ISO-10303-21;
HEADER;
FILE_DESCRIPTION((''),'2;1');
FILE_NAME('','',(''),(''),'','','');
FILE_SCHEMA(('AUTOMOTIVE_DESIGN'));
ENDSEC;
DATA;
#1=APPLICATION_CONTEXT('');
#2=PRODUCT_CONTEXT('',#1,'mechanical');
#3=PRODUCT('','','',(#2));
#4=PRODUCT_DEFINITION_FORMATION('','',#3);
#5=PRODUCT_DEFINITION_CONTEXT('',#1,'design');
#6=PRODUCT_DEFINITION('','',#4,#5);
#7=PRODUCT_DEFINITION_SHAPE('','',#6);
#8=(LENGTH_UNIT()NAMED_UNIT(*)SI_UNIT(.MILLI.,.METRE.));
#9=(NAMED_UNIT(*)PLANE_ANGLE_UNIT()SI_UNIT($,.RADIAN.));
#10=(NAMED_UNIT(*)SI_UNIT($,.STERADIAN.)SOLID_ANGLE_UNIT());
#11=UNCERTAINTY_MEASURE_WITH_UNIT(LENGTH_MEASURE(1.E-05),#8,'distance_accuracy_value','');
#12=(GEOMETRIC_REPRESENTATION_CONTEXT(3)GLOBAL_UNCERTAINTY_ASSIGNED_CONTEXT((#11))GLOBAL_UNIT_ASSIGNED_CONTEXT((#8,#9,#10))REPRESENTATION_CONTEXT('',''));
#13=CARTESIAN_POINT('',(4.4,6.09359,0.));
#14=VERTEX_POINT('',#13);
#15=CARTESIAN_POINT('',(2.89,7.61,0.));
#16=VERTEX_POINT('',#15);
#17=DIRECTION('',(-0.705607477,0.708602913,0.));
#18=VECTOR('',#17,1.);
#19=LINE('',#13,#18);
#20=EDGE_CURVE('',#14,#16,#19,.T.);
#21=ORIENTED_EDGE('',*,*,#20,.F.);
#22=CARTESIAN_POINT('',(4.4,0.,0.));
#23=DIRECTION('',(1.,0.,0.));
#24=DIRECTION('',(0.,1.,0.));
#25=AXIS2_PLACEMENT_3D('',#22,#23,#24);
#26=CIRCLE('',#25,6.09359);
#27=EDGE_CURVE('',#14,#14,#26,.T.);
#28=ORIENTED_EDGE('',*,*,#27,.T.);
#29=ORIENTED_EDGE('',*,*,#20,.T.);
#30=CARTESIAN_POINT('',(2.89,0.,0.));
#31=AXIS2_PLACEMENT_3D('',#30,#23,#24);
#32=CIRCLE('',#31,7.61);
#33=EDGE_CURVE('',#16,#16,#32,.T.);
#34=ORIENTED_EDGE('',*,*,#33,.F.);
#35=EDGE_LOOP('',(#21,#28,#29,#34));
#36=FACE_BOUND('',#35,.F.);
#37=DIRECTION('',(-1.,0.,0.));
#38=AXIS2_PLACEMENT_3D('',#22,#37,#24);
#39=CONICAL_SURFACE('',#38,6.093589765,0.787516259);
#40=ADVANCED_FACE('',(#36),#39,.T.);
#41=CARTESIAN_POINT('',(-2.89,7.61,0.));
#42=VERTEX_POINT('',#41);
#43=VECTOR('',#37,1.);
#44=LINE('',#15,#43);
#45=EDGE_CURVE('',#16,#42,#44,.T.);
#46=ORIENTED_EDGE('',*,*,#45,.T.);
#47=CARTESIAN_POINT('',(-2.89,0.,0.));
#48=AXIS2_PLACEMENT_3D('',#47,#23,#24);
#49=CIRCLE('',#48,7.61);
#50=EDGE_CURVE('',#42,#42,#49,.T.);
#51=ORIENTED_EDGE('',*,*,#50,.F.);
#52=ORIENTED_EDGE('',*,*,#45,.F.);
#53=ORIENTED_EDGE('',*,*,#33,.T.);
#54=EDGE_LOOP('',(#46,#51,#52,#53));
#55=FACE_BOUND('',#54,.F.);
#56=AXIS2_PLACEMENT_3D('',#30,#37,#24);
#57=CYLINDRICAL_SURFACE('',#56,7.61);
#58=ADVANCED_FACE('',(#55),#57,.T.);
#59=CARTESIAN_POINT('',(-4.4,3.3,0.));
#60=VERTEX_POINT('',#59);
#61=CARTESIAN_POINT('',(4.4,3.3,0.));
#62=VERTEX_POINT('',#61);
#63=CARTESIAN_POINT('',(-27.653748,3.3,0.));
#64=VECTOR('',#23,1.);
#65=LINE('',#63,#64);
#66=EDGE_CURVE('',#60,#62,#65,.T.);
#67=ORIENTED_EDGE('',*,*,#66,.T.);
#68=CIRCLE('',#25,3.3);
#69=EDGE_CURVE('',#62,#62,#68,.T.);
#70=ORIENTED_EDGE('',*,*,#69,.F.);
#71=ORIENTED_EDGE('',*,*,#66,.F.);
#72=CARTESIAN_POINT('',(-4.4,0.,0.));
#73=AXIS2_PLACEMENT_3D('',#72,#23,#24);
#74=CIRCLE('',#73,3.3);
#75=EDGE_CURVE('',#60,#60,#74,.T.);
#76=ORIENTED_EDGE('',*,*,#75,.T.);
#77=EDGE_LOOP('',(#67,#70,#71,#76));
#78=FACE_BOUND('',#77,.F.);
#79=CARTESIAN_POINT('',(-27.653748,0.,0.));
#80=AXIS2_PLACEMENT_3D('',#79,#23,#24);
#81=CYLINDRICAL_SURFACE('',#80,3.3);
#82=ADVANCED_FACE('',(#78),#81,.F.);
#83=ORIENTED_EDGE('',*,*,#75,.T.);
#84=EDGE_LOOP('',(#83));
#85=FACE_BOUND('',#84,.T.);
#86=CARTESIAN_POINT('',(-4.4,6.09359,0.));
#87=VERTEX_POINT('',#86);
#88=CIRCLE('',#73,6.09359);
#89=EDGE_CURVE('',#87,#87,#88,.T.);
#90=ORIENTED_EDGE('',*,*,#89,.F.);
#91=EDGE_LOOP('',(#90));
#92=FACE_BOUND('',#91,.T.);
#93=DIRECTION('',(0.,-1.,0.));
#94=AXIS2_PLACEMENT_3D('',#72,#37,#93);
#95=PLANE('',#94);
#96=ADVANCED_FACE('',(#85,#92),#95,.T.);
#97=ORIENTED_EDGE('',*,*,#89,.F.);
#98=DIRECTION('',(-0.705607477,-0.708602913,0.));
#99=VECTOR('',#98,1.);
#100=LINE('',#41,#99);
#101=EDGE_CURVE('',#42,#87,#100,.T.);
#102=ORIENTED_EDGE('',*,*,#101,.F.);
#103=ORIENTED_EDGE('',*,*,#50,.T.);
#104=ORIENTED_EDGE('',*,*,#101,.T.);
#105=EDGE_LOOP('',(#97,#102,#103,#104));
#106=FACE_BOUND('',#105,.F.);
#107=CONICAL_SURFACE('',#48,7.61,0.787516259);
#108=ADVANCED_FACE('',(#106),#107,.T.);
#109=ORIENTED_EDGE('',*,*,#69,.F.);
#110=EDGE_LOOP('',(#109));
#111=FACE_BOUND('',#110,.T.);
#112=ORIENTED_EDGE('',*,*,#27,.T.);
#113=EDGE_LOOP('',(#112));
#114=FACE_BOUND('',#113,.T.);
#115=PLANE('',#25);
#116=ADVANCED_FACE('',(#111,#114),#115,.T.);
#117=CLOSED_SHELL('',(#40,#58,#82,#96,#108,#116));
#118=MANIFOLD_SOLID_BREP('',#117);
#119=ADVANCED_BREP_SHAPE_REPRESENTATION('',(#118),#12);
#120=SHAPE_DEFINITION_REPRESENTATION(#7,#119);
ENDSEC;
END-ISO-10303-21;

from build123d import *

# Parameters (mm, degrees)
F1_DEPTH      = 4.9
F1_DEPTH_BACK = 3.9
F2_R          = 4.32
F3_DEPTH      = 8.8
F4_D          = 6.6


with BuildPart() as f5:
    # F0 (on Top) → F5 (revolve)
    with BuildSketch(Plane.XY):
        Polygon((-0.5, 4.99), (0, 4.99), (0.5, 4.99), (4.4, 4.99), (4.4, 6.0935897653), (2.89, 7.61), (0, 7.61), (-2.89, 7.61), (-4.4, 6.0935897653), (-4.4, 4.99), align=None)
        Polygon((0.5, 4.99), (0, 4.99), (-0.5, 4.99), (-0.5, 4.32), (0, 4.32), (0.5, 4.32), align=None)
    revolve(axis=Axis((2.2, 0, 0), (1, 0, 0)))

    # F1 (add, two sides): a face of the model
    f1_faces = [f5.faces().sort_by_distance(p)[0] for p in [
        (-0.5, -4.8488614865, 0),
    ]]
    extrude(f1_faces, amount=-F1_DEPTH)
    extrude(f1_faces, amount=F1_DEPTH_BACK)

    # F2 (on face) → F3 (join, through all)
    with BuildSketch(Plane(origin=(-4.4, 0, 0), x_dir=(0, -1, 0), z_dir=(-1, 0, 0))):
        Circle(F2_R)
    extrude(amount=-F3_DEPTH)

    # F4 (through all)
    with Locations(Plane(origin=(-4.4, 0, 0), x_dir=(0, -1, 0), z_dir=(-1, 0, 0))):
        with Locations((0, 0)):
            Hole(F4_D / 2)


solid = f5.part
